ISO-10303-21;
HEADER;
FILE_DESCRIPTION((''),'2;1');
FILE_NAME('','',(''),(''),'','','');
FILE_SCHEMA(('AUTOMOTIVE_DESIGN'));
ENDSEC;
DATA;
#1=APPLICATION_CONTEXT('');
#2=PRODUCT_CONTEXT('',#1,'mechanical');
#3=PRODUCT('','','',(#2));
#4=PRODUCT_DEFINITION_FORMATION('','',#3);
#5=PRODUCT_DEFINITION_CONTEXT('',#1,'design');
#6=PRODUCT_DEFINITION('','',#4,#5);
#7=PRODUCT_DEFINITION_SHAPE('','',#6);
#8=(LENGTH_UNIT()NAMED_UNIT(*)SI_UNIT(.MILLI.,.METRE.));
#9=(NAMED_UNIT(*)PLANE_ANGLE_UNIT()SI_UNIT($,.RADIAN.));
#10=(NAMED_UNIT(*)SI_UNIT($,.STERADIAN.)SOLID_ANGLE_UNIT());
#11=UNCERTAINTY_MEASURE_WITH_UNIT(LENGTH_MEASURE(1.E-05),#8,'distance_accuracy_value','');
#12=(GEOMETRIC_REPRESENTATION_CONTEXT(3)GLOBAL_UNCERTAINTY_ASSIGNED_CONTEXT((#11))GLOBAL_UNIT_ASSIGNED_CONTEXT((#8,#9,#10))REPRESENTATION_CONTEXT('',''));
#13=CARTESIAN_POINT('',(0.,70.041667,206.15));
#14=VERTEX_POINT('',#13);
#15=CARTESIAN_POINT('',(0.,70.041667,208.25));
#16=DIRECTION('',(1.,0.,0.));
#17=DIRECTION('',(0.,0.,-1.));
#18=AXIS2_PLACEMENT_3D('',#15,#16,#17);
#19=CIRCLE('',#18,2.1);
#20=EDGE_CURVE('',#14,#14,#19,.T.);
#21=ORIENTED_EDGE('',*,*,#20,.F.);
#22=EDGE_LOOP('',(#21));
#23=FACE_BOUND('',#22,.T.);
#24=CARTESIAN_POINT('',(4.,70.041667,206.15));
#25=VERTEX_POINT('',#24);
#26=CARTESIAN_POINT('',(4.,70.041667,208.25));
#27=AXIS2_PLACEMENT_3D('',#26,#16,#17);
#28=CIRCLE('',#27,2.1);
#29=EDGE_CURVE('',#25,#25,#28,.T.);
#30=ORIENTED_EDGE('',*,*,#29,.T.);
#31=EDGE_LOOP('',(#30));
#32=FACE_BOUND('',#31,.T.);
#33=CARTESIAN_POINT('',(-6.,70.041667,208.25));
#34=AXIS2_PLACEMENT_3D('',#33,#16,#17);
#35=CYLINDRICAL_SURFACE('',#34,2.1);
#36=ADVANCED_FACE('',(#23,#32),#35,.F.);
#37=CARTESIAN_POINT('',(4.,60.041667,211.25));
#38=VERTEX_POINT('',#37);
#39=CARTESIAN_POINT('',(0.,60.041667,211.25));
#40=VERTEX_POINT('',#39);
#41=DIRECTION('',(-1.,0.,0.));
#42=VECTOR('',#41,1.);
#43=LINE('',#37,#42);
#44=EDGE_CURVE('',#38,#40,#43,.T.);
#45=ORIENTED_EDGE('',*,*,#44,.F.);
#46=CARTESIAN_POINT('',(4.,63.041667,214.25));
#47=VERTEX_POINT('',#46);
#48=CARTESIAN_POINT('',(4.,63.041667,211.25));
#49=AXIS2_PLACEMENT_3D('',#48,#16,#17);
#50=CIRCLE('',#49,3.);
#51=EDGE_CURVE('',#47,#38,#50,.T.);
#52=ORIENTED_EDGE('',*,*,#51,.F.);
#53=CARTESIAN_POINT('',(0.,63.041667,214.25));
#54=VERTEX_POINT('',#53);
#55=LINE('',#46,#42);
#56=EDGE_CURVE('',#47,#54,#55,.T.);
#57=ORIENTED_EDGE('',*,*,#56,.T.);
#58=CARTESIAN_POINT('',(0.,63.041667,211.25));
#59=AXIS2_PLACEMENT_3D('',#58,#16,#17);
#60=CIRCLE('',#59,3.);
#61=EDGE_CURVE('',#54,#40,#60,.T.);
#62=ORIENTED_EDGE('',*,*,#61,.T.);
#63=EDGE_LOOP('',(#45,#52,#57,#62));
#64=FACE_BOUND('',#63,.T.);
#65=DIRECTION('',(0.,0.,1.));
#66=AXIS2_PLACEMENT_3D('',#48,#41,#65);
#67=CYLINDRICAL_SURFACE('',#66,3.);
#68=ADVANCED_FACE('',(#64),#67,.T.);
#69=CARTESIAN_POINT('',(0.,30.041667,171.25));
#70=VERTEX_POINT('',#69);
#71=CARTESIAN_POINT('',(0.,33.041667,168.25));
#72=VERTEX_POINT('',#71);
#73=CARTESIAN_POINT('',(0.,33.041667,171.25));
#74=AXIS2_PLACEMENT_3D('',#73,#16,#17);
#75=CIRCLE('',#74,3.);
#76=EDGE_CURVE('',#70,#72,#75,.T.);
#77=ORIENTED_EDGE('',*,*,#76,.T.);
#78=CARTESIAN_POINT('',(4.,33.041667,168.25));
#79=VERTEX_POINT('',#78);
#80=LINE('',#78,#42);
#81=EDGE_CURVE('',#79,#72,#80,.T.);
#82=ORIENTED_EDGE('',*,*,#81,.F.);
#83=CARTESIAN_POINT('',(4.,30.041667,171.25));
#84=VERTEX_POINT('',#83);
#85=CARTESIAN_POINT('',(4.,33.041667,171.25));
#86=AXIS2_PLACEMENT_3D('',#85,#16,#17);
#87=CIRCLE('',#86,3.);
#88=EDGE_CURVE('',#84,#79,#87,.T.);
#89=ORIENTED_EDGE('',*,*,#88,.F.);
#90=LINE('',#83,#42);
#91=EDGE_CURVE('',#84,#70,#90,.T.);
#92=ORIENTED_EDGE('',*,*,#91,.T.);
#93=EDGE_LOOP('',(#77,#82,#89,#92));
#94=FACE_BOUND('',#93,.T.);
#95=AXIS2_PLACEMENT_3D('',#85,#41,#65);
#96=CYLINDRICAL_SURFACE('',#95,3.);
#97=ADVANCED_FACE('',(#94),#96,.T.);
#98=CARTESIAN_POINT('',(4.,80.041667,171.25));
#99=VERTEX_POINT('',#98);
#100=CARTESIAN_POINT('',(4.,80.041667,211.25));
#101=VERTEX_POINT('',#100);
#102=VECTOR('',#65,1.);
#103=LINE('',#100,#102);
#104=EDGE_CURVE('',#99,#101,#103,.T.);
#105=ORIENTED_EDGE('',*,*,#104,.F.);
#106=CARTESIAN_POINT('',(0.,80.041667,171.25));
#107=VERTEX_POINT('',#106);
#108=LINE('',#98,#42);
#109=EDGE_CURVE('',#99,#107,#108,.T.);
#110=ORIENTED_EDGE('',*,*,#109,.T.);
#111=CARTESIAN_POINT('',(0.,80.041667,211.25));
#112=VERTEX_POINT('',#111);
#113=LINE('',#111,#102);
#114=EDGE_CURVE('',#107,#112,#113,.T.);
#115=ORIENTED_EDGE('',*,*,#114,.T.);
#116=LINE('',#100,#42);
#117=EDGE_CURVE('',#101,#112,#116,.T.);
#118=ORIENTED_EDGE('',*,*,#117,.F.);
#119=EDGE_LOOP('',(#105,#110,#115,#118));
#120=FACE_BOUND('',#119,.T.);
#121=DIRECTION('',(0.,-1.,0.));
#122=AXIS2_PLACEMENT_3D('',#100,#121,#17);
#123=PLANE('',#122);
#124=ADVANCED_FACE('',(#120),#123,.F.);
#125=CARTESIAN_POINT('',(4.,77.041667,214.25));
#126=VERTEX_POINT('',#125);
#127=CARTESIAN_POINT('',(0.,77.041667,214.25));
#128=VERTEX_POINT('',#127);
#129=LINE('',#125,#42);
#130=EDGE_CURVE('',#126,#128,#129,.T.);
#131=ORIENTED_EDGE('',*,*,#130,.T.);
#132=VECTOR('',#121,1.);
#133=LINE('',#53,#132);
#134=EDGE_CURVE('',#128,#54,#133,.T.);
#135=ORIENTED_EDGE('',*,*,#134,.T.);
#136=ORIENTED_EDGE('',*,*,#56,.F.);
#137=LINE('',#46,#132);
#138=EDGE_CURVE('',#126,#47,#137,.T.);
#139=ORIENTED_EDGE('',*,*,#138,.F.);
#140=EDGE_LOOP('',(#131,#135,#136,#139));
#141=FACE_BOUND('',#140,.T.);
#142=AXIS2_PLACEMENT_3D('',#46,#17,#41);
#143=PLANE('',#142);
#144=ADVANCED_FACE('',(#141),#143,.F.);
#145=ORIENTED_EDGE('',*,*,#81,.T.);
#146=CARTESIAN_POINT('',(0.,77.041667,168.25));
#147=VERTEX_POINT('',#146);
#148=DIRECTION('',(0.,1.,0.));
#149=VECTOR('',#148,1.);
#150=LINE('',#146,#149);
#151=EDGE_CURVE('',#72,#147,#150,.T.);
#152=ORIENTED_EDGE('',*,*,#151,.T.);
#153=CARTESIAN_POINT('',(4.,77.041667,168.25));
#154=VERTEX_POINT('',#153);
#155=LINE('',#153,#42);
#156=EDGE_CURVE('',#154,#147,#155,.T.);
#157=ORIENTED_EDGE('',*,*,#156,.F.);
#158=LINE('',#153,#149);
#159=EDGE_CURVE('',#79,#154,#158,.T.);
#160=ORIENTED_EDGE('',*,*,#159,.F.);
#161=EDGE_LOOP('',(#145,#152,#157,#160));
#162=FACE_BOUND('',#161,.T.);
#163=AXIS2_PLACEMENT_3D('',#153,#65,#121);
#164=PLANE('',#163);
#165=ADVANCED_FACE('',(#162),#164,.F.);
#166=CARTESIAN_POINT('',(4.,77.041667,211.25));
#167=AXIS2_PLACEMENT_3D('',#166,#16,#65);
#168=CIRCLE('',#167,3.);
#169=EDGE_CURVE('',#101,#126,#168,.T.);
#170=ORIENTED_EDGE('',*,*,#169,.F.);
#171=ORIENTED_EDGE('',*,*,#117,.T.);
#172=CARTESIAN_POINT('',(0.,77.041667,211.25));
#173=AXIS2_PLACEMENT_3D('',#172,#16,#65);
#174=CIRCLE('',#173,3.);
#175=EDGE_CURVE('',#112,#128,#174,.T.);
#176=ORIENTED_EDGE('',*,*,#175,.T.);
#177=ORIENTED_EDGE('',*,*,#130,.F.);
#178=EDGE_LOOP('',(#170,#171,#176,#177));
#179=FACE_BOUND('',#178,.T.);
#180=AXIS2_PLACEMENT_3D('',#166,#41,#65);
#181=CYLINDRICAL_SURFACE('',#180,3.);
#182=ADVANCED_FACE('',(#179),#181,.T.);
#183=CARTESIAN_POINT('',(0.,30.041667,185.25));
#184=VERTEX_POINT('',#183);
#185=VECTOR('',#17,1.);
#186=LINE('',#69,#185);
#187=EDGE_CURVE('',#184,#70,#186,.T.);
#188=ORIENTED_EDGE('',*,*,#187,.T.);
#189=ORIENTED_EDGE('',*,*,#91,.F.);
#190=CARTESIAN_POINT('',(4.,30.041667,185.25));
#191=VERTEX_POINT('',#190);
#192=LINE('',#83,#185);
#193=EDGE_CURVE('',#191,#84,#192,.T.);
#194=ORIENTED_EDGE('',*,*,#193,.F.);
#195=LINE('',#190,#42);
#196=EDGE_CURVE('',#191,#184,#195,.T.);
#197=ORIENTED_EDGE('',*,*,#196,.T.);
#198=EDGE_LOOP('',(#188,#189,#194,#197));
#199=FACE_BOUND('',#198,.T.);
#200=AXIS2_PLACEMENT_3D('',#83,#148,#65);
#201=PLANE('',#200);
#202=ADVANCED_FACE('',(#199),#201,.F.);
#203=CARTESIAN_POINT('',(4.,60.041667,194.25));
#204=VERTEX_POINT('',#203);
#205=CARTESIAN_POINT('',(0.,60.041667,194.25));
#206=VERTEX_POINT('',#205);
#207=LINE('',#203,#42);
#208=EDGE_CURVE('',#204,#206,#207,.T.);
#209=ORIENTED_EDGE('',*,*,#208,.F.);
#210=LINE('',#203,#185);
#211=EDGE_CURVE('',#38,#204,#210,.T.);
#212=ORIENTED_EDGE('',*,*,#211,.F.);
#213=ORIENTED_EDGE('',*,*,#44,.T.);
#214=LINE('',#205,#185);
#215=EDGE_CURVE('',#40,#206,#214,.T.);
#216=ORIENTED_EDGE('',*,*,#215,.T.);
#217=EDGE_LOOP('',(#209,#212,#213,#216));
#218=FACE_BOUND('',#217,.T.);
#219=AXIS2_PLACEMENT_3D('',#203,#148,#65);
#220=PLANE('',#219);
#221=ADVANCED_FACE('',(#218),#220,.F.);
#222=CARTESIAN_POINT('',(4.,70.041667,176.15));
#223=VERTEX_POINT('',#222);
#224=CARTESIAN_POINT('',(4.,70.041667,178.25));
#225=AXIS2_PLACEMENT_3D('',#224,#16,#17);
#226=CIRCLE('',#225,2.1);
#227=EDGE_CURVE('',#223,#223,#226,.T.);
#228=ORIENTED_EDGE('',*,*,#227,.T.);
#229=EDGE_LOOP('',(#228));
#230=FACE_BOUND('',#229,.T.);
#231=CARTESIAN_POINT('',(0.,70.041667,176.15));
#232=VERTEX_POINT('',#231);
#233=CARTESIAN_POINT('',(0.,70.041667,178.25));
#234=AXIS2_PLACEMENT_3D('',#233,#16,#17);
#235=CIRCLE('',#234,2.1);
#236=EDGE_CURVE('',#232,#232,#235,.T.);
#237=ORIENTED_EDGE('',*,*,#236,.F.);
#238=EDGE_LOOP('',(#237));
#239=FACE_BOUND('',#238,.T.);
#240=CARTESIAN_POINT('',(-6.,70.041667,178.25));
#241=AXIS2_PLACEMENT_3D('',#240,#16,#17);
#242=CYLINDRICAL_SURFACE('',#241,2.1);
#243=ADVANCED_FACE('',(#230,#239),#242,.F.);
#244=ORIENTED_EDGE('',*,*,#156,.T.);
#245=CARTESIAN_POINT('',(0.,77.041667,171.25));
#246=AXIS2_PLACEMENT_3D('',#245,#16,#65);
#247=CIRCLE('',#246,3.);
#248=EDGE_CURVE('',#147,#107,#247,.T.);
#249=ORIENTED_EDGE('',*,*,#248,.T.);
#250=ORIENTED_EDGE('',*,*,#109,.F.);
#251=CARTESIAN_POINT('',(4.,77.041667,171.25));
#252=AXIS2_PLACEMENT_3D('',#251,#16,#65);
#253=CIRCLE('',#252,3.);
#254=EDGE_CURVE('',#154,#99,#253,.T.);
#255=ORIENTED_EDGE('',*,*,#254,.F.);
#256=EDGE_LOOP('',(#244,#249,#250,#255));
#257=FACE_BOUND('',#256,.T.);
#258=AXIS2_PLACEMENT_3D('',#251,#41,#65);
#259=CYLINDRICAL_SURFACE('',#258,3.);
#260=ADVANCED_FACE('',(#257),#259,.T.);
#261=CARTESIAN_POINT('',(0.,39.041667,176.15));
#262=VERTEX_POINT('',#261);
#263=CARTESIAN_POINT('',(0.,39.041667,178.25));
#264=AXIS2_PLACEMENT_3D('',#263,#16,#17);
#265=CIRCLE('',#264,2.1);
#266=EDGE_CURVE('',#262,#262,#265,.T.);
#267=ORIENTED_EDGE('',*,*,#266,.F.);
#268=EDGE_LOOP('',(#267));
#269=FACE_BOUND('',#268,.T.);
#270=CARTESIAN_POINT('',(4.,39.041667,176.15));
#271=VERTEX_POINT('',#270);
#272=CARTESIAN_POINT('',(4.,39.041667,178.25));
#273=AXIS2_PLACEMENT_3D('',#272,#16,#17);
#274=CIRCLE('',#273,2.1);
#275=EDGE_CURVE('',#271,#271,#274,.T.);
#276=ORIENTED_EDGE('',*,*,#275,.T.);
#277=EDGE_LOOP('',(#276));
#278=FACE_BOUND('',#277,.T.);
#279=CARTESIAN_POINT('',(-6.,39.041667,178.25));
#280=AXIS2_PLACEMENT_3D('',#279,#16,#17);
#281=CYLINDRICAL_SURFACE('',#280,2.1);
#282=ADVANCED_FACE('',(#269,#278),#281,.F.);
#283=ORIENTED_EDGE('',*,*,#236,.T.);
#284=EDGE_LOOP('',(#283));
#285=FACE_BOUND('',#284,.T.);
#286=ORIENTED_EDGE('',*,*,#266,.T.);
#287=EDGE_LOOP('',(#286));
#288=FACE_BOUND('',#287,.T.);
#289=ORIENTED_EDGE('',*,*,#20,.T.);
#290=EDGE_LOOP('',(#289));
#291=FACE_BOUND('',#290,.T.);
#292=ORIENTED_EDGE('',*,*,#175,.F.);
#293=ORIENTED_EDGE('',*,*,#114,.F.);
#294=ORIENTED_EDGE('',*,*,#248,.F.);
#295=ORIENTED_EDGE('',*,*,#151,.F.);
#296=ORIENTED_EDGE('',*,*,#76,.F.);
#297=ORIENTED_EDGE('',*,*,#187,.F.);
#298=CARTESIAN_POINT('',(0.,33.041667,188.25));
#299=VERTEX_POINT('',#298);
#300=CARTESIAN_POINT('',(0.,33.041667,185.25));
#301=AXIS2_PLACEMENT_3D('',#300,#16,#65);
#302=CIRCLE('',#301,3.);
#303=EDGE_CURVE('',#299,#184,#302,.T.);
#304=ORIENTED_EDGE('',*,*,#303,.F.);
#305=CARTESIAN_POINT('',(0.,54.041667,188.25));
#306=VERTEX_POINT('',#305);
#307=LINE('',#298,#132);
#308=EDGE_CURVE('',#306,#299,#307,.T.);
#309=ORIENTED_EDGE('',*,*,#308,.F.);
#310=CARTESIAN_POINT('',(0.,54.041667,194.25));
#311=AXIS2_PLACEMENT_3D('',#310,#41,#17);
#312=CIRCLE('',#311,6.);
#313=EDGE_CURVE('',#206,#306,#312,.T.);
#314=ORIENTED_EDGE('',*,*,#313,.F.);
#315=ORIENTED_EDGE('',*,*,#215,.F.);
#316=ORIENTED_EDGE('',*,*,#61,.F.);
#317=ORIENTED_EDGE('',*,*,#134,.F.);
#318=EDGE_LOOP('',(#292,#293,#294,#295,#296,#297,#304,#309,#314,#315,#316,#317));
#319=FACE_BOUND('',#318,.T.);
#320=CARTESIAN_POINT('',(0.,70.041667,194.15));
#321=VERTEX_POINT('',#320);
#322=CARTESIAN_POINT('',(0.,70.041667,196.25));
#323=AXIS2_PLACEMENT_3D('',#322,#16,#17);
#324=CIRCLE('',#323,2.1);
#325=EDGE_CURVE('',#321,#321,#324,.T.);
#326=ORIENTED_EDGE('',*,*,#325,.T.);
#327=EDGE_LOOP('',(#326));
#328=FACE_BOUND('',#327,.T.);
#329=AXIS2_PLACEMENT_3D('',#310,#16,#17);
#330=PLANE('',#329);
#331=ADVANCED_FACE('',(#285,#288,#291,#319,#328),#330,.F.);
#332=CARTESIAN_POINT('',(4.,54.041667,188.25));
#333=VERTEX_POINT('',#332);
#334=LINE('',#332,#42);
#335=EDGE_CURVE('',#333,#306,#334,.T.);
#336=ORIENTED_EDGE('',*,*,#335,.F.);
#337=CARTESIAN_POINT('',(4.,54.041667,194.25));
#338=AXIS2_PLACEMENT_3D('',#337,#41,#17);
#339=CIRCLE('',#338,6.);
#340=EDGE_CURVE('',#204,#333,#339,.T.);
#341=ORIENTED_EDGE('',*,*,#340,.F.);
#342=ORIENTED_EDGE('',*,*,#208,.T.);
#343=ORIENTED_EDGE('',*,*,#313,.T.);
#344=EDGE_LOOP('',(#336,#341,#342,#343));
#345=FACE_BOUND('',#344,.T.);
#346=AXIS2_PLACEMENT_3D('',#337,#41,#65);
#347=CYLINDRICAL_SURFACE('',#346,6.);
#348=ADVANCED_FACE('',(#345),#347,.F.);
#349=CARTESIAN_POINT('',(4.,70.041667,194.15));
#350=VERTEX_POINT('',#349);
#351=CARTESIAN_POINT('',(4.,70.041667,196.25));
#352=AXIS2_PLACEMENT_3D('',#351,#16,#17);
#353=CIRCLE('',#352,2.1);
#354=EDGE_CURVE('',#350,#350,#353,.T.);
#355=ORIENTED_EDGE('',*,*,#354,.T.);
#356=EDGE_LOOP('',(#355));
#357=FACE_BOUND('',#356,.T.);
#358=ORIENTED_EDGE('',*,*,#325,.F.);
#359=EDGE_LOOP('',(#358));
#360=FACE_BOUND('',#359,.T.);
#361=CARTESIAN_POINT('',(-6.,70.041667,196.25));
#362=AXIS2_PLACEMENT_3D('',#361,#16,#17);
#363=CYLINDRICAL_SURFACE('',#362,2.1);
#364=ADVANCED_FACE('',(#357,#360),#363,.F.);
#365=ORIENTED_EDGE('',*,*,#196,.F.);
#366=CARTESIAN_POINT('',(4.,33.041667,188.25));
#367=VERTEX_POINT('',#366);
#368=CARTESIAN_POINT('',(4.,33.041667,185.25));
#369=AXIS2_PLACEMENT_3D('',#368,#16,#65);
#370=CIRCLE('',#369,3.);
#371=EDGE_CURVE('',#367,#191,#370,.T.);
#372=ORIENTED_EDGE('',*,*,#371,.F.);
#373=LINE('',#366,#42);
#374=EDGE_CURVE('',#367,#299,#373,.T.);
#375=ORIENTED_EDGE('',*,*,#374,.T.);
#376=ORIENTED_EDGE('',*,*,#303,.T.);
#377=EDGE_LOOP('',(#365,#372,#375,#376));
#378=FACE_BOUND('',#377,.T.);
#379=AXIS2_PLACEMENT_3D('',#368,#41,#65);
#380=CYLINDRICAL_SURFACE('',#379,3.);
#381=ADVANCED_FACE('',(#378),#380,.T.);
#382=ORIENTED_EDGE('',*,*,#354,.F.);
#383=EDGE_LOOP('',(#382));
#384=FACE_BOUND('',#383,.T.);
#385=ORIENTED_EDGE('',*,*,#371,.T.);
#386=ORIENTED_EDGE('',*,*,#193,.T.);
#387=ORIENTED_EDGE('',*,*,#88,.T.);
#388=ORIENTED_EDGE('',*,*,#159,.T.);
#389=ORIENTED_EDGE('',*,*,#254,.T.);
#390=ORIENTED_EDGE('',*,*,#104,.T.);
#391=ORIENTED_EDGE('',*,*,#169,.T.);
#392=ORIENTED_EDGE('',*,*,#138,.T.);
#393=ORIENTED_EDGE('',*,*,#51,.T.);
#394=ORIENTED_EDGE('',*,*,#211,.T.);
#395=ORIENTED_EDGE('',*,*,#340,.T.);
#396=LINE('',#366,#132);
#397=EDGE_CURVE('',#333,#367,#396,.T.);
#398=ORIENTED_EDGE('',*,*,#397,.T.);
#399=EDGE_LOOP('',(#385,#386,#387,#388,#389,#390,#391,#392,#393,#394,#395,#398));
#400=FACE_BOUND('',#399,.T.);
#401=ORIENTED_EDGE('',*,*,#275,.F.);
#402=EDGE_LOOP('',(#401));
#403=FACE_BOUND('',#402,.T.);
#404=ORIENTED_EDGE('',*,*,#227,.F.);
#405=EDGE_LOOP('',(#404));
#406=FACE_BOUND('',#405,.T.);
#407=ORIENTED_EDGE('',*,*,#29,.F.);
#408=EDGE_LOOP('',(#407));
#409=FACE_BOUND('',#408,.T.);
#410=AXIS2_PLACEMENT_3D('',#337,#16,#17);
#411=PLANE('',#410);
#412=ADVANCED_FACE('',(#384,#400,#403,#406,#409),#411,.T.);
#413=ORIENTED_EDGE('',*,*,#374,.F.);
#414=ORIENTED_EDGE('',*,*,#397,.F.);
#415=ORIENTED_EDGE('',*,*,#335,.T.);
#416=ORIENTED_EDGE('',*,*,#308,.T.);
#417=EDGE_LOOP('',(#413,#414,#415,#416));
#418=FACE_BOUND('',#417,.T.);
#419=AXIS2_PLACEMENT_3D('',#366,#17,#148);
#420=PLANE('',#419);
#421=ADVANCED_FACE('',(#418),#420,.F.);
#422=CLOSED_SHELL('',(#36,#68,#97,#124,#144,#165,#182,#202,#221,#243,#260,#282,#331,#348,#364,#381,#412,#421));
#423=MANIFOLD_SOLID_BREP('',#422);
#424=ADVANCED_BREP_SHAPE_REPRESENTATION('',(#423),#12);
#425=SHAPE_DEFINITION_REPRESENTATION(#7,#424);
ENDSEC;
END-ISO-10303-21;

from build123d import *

# Parameters (mm, degrees)
EXTRUDE_1_DEPTH     = 4
SKETCH_3_R          = 2.1
CUT_EXTRUDE_1_DEPTH = 10


with BuildPart() as part:
    # 草图2 → 凸台-拉伸1 (new body)
    with BuildSketch(Plane(origin=(0, 0, 0), x_dir=(0, 0, -1), z_dir=(1, 0, 0))):
        with BuildLine():
            Line((-211.25, 80.041666667), (-171.25, 80.041666667))
            ThreePointArc((-171.25, 80.041666667), (-169.128679656, 79.16298701), (-168.25, 77.041666667))
            Line((-168.25, 77.041666667), (-168.25, 33.041666667))
            ThreePointArc((-168.25, 33.041666667), (-169.128679656, 30.920346323), (-171.25, 30.041666667))
            Line((-171.25, 30.041666667), (-185.25, 30.041666667))
            ThreePointArc((-185.25, 30.041666667), (-187.371320344, 30.920346323), (-188.25, 33.041666667))
            Line((-188.25, 33.041666667), (-188.25, 54.041666667))
            ThreePointArc((-188.25, 54.041666667), (-190.007359313, 58.284307354), (-194.25, 60.041666667))
            Line((-194.25, 60.041666667), (-211.25, 60.041666667))
            ThreePointArc((-211.25, 60.041666667), (-213.371320344, 60.920346323), (-214.25, 63.041666667))
            Line((-214.25, 63.041666667), (-214.25, 77.041666667))
            ThreePointArc((-214.25, 77.041666667), (-213.371320344, 79.16298701), (-211.25, 80.041666667))
        make_face()
    extrude(amount=EXTRUDE_1_DEPTH)

    # 草图3 → 切除-拉伸1 (cut)
    with BuildSketch(Plane(origin=(4, 0, 0), x_dir=(0, 0, -1), z_dir=(1, 0, 0))):
        with Locations((-208.25, 70.041666667)):
            Circle(SKETCH_3_R)
        with Locations((-178.25, 70.041666667)):
            Circle(SKETCH_3_R)
        with Locations((-178.25, 39.041666667)):
            Circle(SKETCH_3_R)
        with Locations((-196.25, 70.041666667)):
            Circle(SKETCH_3_R)
    extrude(amount=-CUT_EXTRUDE_1_DEPTH, mode=Mode.SUBTRACT)


solid = part.part
